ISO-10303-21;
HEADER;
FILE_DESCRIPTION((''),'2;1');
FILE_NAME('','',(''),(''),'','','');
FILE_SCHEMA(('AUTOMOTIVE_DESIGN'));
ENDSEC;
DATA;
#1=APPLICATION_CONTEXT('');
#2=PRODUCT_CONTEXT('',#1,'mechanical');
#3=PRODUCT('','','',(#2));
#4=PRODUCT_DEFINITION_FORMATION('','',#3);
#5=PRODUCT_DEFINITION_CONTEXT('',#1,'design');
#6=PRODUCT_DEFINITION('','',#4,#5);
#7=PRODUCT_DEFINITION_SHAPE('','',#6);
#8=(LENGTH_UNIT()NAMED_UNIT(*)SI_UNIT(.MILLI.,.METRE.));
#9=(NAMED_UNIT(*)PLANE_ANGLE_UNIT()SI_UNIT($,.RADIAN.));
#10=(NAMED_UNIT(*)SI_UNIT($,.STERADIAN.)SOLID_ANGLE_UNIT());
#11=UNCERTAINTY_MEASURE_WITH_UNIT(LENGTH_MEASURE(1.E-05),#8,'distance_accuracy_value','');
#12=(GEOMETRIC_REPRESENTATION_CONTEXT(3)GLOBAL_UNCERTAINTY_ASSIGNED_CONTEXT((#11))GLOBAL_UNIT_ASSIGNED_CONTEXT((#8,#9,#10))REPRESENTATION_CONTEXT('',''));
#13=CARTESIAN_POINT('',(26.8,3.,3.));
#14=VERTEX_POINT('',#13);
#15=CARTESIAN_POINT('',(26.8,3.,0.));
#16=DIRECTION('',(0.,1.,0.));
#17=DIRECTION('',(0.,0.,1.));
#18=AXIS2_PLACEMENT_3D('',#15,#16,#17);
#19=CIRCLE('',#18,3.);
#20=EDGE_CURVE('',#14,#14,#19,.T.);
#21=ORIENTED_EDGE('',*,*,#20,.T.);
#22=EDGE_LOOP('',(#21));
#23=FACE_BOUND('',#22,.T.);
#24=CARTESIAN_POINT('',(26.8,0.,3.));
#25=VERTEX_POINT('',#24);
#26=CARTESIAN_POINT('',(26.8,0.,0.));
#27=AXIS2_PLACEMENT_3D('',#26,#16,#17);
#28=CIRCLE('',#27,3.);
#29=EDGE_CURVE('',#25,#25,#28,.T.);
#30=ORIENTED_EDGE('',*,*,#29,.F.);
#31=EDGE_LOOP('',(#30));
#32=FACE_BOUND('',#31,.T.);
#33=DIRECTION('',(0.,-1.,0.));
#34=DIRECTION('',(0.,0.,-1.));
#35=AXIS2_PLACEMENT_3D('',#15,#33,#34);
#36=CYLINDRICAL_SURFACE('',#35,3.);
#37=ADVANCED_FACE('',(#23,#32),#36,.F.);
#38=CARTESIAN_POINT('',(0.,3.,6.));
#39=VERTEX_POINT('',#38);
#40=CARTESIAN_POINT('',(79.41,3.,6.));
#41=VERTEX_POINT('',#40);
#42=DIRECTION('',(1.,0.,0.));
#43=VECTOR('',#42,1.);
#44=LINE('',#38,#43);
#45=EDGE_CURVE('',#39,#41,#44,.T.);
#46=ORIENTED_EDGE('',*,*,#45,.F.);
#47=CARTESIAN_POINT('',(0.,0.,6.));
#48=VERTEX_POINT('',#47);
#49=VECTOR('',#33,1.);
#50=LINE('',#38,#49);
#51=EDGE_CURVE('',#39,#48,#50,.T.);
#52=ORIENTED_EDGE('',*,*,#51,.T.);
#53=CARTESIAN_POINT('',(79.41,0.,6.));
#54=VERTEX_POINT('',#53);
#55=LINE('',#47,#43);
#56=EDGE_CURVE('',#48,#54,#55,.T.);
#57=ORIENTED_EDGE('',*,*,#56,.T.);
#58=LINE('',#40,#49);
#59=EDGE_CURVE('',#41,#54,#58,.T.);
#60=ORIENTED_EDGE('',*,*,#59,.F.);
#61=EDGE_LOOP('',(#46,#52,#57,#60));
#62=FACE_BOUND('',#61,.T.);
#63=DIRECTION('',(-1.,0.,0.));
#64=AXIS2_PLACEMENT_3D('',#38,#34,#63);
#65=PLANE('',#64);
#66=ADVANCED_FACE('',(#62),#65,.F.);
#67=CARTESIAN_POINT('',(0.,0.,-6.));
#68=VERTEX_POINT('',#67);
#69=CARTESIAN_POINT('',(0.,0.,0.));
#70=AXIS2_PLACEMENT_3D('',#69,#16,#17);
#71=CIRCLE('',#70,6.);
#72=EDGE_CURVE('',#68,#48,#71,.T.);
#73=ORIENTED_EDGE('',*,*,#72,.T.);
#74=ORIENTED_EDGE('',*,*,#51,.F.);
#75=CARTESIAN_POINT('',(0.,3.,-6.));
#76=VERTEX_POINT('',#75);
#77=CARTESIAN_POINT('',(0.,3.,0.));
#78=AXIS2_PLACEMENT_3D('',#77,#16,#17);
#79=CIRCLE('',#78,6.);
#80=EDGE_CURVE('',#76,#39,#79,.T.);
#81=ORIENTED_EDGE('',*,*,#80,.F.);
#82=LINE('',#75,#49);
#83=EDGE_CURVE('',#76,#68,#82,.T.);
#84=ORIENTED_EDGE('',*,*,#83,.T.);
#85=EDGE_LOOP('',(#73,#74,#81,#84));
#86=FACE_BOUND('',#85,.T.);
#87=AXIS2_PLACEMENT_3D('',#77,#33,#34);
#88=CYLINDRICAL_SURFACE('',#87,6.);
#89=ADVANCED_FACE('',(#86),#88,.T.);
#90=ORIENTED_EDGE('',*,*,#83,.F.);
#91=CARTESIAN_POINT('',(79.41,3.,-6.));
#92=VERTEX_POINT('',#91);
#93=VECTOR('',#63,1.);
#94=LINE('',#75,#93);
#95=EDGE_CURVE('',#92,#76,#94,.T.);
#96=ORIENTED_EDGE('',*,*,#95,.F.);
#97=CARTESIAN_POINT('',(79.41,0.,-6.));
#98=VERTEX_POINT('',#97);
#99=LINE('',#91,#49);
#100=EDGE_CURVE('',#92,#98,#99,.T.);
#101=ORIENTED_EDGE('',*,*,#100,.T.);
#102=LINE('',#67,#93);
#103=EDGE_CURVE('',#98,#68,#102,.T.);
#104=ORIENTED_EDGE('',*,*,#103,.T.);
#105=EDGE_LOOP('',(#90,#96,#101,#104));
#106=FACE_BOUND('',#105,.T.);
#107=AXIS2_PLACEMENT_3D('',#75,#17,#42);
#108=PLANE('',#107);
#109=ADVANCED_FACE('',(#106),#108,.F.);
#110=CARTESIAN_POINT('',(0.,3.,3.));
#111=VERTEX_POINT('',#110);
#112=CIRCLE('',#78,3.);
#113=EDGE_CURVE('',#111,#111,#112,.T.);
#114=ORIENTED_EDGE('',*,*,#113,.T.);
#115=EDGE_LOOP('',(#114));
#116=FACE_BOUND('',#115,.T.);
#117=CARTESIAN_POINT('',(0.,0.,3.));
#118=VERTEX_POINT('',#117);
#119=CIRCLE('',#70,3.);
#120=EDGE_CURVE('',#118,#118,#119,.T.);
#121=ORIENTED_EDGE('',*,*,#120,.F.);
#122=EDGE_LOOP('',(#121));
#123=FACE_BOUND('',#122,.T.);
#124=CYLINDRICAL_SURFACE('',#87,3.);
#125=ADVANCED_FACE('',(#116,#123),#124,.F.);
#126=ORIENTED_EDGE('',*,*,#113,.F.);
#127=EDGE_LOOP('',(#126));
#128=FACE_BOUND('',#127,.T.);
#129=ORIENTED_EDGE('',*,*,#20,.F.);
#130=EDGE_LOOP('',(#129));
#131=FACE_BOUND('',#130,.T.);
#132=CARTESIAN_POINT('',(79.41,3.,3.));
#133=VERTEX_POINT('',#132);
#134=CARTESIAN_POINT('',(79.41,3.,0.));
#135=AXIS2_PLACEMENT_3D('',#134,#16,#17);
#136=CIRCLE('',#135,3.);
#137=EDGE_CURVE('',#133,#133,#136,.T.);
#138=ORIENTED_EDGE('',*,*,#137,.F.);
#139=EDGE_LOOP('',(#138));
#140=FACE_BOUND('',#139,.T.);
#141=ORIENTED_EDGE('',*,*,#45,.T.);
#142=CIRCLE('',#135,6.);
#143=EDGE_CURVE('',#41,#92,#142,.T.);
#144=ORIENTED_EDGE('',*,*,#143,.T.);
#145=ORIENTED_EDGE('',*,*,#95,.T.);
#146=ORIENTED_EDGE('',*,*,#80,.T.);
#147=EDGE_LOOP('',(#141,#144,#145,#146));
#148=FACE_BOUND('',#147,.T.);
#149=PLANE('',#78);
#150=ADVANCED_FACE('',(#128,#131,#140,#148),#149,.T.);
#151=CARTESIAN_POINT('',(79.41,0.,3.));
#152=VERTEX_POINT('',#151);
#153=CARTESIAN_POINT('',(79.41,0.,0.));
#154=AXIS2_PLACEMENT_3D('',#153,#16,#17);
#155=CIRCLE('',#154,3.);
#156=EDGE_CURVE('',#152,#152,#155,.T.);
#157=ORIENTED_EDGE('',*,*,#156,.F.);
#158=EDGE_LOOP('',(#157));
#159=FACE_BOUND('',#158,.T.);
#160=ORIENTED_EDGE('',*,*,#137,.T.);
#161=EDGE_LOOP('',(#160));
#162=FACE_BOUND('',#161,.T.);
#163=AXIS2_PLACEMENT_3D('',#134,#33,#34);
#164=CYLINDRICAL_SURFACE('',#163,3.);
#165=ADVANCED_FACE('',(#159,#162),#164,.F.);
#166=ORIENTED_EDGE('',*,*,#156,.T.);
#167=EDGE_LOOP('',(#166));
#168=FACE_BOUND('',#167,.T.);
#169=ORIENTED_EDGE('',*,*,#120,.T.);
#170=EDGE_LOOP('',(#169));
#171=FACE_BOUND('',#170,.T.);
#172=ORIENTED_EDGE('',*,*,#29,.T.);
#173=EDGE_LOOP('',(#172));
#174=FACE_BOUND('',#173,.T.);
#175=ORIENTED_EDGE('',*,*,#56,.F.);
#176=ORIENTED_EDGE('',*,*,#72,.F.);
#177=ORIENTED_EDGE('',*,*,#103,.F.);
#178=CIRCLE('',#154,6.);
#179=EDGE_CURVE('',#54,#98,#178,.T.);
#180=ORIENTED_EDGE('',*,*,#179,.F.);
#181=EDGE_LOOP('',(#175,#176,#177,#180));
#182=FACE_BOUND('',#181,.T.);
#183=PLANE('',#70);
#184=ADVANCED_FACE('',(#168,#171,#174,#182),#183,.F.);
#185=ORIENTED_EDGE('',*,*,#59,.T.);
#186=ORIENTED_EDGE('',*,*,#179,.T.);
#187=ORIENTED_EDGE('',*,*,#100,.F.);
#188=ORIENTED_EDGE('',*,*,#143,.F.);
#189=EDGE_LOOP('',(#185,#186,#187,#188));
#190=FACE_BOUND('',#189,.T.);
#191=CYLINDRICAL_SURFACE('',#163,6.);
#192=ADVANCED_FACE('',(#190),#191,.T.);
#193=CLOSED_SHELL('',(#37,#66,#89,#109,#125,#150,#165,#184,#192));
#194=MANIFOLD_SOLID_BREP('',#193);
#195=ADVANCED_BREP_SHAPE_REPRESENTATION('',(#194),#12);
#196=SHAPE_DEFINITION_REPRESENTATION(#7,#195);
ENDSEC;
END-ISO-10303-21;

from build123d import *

# Parameters (mm, degrees)
SKETCH_1_R      = 3
EXTRUDE_1_DEPTH = 3


with BuildPart() as part:
    # 草图1 → 凸台-拉伸1 (new body)
    with BuildSketch(Plane(origin=(0, 0, 0), x_dir=(1, 0, 0), z_dir=(0, 1, 0))):
        with BuildLine():
            Line((0, 6), (79.41, 6))
            ThreePointArc((79.41, 6), (85.41, 0), (79.41, -6))
            Line((79.41, -6), (0, -6))
            ThreePointArc((0, -6), (-6, 0), (0, 6))
        make_face()
        with Locations(Location((0, 0, 0), (0, 0, 270))):
            Circle(SKETCH_1_R, mode=Mode.SUBTRACT)
        with Locations(Location((79.41, 0, 0), (0, 0, 270))):
            Circle(SKETCH_1_R, mode=Mode.SUBTRACT)
        with Locations(Location((26.8, 0, 0), (0, 0, 270))):
            Circle(SKETCH_1_R, mode=Mode.SUBTRACT)
    extrude(amount=EXTRUDE_1_DEPTH)


solid = part.part
